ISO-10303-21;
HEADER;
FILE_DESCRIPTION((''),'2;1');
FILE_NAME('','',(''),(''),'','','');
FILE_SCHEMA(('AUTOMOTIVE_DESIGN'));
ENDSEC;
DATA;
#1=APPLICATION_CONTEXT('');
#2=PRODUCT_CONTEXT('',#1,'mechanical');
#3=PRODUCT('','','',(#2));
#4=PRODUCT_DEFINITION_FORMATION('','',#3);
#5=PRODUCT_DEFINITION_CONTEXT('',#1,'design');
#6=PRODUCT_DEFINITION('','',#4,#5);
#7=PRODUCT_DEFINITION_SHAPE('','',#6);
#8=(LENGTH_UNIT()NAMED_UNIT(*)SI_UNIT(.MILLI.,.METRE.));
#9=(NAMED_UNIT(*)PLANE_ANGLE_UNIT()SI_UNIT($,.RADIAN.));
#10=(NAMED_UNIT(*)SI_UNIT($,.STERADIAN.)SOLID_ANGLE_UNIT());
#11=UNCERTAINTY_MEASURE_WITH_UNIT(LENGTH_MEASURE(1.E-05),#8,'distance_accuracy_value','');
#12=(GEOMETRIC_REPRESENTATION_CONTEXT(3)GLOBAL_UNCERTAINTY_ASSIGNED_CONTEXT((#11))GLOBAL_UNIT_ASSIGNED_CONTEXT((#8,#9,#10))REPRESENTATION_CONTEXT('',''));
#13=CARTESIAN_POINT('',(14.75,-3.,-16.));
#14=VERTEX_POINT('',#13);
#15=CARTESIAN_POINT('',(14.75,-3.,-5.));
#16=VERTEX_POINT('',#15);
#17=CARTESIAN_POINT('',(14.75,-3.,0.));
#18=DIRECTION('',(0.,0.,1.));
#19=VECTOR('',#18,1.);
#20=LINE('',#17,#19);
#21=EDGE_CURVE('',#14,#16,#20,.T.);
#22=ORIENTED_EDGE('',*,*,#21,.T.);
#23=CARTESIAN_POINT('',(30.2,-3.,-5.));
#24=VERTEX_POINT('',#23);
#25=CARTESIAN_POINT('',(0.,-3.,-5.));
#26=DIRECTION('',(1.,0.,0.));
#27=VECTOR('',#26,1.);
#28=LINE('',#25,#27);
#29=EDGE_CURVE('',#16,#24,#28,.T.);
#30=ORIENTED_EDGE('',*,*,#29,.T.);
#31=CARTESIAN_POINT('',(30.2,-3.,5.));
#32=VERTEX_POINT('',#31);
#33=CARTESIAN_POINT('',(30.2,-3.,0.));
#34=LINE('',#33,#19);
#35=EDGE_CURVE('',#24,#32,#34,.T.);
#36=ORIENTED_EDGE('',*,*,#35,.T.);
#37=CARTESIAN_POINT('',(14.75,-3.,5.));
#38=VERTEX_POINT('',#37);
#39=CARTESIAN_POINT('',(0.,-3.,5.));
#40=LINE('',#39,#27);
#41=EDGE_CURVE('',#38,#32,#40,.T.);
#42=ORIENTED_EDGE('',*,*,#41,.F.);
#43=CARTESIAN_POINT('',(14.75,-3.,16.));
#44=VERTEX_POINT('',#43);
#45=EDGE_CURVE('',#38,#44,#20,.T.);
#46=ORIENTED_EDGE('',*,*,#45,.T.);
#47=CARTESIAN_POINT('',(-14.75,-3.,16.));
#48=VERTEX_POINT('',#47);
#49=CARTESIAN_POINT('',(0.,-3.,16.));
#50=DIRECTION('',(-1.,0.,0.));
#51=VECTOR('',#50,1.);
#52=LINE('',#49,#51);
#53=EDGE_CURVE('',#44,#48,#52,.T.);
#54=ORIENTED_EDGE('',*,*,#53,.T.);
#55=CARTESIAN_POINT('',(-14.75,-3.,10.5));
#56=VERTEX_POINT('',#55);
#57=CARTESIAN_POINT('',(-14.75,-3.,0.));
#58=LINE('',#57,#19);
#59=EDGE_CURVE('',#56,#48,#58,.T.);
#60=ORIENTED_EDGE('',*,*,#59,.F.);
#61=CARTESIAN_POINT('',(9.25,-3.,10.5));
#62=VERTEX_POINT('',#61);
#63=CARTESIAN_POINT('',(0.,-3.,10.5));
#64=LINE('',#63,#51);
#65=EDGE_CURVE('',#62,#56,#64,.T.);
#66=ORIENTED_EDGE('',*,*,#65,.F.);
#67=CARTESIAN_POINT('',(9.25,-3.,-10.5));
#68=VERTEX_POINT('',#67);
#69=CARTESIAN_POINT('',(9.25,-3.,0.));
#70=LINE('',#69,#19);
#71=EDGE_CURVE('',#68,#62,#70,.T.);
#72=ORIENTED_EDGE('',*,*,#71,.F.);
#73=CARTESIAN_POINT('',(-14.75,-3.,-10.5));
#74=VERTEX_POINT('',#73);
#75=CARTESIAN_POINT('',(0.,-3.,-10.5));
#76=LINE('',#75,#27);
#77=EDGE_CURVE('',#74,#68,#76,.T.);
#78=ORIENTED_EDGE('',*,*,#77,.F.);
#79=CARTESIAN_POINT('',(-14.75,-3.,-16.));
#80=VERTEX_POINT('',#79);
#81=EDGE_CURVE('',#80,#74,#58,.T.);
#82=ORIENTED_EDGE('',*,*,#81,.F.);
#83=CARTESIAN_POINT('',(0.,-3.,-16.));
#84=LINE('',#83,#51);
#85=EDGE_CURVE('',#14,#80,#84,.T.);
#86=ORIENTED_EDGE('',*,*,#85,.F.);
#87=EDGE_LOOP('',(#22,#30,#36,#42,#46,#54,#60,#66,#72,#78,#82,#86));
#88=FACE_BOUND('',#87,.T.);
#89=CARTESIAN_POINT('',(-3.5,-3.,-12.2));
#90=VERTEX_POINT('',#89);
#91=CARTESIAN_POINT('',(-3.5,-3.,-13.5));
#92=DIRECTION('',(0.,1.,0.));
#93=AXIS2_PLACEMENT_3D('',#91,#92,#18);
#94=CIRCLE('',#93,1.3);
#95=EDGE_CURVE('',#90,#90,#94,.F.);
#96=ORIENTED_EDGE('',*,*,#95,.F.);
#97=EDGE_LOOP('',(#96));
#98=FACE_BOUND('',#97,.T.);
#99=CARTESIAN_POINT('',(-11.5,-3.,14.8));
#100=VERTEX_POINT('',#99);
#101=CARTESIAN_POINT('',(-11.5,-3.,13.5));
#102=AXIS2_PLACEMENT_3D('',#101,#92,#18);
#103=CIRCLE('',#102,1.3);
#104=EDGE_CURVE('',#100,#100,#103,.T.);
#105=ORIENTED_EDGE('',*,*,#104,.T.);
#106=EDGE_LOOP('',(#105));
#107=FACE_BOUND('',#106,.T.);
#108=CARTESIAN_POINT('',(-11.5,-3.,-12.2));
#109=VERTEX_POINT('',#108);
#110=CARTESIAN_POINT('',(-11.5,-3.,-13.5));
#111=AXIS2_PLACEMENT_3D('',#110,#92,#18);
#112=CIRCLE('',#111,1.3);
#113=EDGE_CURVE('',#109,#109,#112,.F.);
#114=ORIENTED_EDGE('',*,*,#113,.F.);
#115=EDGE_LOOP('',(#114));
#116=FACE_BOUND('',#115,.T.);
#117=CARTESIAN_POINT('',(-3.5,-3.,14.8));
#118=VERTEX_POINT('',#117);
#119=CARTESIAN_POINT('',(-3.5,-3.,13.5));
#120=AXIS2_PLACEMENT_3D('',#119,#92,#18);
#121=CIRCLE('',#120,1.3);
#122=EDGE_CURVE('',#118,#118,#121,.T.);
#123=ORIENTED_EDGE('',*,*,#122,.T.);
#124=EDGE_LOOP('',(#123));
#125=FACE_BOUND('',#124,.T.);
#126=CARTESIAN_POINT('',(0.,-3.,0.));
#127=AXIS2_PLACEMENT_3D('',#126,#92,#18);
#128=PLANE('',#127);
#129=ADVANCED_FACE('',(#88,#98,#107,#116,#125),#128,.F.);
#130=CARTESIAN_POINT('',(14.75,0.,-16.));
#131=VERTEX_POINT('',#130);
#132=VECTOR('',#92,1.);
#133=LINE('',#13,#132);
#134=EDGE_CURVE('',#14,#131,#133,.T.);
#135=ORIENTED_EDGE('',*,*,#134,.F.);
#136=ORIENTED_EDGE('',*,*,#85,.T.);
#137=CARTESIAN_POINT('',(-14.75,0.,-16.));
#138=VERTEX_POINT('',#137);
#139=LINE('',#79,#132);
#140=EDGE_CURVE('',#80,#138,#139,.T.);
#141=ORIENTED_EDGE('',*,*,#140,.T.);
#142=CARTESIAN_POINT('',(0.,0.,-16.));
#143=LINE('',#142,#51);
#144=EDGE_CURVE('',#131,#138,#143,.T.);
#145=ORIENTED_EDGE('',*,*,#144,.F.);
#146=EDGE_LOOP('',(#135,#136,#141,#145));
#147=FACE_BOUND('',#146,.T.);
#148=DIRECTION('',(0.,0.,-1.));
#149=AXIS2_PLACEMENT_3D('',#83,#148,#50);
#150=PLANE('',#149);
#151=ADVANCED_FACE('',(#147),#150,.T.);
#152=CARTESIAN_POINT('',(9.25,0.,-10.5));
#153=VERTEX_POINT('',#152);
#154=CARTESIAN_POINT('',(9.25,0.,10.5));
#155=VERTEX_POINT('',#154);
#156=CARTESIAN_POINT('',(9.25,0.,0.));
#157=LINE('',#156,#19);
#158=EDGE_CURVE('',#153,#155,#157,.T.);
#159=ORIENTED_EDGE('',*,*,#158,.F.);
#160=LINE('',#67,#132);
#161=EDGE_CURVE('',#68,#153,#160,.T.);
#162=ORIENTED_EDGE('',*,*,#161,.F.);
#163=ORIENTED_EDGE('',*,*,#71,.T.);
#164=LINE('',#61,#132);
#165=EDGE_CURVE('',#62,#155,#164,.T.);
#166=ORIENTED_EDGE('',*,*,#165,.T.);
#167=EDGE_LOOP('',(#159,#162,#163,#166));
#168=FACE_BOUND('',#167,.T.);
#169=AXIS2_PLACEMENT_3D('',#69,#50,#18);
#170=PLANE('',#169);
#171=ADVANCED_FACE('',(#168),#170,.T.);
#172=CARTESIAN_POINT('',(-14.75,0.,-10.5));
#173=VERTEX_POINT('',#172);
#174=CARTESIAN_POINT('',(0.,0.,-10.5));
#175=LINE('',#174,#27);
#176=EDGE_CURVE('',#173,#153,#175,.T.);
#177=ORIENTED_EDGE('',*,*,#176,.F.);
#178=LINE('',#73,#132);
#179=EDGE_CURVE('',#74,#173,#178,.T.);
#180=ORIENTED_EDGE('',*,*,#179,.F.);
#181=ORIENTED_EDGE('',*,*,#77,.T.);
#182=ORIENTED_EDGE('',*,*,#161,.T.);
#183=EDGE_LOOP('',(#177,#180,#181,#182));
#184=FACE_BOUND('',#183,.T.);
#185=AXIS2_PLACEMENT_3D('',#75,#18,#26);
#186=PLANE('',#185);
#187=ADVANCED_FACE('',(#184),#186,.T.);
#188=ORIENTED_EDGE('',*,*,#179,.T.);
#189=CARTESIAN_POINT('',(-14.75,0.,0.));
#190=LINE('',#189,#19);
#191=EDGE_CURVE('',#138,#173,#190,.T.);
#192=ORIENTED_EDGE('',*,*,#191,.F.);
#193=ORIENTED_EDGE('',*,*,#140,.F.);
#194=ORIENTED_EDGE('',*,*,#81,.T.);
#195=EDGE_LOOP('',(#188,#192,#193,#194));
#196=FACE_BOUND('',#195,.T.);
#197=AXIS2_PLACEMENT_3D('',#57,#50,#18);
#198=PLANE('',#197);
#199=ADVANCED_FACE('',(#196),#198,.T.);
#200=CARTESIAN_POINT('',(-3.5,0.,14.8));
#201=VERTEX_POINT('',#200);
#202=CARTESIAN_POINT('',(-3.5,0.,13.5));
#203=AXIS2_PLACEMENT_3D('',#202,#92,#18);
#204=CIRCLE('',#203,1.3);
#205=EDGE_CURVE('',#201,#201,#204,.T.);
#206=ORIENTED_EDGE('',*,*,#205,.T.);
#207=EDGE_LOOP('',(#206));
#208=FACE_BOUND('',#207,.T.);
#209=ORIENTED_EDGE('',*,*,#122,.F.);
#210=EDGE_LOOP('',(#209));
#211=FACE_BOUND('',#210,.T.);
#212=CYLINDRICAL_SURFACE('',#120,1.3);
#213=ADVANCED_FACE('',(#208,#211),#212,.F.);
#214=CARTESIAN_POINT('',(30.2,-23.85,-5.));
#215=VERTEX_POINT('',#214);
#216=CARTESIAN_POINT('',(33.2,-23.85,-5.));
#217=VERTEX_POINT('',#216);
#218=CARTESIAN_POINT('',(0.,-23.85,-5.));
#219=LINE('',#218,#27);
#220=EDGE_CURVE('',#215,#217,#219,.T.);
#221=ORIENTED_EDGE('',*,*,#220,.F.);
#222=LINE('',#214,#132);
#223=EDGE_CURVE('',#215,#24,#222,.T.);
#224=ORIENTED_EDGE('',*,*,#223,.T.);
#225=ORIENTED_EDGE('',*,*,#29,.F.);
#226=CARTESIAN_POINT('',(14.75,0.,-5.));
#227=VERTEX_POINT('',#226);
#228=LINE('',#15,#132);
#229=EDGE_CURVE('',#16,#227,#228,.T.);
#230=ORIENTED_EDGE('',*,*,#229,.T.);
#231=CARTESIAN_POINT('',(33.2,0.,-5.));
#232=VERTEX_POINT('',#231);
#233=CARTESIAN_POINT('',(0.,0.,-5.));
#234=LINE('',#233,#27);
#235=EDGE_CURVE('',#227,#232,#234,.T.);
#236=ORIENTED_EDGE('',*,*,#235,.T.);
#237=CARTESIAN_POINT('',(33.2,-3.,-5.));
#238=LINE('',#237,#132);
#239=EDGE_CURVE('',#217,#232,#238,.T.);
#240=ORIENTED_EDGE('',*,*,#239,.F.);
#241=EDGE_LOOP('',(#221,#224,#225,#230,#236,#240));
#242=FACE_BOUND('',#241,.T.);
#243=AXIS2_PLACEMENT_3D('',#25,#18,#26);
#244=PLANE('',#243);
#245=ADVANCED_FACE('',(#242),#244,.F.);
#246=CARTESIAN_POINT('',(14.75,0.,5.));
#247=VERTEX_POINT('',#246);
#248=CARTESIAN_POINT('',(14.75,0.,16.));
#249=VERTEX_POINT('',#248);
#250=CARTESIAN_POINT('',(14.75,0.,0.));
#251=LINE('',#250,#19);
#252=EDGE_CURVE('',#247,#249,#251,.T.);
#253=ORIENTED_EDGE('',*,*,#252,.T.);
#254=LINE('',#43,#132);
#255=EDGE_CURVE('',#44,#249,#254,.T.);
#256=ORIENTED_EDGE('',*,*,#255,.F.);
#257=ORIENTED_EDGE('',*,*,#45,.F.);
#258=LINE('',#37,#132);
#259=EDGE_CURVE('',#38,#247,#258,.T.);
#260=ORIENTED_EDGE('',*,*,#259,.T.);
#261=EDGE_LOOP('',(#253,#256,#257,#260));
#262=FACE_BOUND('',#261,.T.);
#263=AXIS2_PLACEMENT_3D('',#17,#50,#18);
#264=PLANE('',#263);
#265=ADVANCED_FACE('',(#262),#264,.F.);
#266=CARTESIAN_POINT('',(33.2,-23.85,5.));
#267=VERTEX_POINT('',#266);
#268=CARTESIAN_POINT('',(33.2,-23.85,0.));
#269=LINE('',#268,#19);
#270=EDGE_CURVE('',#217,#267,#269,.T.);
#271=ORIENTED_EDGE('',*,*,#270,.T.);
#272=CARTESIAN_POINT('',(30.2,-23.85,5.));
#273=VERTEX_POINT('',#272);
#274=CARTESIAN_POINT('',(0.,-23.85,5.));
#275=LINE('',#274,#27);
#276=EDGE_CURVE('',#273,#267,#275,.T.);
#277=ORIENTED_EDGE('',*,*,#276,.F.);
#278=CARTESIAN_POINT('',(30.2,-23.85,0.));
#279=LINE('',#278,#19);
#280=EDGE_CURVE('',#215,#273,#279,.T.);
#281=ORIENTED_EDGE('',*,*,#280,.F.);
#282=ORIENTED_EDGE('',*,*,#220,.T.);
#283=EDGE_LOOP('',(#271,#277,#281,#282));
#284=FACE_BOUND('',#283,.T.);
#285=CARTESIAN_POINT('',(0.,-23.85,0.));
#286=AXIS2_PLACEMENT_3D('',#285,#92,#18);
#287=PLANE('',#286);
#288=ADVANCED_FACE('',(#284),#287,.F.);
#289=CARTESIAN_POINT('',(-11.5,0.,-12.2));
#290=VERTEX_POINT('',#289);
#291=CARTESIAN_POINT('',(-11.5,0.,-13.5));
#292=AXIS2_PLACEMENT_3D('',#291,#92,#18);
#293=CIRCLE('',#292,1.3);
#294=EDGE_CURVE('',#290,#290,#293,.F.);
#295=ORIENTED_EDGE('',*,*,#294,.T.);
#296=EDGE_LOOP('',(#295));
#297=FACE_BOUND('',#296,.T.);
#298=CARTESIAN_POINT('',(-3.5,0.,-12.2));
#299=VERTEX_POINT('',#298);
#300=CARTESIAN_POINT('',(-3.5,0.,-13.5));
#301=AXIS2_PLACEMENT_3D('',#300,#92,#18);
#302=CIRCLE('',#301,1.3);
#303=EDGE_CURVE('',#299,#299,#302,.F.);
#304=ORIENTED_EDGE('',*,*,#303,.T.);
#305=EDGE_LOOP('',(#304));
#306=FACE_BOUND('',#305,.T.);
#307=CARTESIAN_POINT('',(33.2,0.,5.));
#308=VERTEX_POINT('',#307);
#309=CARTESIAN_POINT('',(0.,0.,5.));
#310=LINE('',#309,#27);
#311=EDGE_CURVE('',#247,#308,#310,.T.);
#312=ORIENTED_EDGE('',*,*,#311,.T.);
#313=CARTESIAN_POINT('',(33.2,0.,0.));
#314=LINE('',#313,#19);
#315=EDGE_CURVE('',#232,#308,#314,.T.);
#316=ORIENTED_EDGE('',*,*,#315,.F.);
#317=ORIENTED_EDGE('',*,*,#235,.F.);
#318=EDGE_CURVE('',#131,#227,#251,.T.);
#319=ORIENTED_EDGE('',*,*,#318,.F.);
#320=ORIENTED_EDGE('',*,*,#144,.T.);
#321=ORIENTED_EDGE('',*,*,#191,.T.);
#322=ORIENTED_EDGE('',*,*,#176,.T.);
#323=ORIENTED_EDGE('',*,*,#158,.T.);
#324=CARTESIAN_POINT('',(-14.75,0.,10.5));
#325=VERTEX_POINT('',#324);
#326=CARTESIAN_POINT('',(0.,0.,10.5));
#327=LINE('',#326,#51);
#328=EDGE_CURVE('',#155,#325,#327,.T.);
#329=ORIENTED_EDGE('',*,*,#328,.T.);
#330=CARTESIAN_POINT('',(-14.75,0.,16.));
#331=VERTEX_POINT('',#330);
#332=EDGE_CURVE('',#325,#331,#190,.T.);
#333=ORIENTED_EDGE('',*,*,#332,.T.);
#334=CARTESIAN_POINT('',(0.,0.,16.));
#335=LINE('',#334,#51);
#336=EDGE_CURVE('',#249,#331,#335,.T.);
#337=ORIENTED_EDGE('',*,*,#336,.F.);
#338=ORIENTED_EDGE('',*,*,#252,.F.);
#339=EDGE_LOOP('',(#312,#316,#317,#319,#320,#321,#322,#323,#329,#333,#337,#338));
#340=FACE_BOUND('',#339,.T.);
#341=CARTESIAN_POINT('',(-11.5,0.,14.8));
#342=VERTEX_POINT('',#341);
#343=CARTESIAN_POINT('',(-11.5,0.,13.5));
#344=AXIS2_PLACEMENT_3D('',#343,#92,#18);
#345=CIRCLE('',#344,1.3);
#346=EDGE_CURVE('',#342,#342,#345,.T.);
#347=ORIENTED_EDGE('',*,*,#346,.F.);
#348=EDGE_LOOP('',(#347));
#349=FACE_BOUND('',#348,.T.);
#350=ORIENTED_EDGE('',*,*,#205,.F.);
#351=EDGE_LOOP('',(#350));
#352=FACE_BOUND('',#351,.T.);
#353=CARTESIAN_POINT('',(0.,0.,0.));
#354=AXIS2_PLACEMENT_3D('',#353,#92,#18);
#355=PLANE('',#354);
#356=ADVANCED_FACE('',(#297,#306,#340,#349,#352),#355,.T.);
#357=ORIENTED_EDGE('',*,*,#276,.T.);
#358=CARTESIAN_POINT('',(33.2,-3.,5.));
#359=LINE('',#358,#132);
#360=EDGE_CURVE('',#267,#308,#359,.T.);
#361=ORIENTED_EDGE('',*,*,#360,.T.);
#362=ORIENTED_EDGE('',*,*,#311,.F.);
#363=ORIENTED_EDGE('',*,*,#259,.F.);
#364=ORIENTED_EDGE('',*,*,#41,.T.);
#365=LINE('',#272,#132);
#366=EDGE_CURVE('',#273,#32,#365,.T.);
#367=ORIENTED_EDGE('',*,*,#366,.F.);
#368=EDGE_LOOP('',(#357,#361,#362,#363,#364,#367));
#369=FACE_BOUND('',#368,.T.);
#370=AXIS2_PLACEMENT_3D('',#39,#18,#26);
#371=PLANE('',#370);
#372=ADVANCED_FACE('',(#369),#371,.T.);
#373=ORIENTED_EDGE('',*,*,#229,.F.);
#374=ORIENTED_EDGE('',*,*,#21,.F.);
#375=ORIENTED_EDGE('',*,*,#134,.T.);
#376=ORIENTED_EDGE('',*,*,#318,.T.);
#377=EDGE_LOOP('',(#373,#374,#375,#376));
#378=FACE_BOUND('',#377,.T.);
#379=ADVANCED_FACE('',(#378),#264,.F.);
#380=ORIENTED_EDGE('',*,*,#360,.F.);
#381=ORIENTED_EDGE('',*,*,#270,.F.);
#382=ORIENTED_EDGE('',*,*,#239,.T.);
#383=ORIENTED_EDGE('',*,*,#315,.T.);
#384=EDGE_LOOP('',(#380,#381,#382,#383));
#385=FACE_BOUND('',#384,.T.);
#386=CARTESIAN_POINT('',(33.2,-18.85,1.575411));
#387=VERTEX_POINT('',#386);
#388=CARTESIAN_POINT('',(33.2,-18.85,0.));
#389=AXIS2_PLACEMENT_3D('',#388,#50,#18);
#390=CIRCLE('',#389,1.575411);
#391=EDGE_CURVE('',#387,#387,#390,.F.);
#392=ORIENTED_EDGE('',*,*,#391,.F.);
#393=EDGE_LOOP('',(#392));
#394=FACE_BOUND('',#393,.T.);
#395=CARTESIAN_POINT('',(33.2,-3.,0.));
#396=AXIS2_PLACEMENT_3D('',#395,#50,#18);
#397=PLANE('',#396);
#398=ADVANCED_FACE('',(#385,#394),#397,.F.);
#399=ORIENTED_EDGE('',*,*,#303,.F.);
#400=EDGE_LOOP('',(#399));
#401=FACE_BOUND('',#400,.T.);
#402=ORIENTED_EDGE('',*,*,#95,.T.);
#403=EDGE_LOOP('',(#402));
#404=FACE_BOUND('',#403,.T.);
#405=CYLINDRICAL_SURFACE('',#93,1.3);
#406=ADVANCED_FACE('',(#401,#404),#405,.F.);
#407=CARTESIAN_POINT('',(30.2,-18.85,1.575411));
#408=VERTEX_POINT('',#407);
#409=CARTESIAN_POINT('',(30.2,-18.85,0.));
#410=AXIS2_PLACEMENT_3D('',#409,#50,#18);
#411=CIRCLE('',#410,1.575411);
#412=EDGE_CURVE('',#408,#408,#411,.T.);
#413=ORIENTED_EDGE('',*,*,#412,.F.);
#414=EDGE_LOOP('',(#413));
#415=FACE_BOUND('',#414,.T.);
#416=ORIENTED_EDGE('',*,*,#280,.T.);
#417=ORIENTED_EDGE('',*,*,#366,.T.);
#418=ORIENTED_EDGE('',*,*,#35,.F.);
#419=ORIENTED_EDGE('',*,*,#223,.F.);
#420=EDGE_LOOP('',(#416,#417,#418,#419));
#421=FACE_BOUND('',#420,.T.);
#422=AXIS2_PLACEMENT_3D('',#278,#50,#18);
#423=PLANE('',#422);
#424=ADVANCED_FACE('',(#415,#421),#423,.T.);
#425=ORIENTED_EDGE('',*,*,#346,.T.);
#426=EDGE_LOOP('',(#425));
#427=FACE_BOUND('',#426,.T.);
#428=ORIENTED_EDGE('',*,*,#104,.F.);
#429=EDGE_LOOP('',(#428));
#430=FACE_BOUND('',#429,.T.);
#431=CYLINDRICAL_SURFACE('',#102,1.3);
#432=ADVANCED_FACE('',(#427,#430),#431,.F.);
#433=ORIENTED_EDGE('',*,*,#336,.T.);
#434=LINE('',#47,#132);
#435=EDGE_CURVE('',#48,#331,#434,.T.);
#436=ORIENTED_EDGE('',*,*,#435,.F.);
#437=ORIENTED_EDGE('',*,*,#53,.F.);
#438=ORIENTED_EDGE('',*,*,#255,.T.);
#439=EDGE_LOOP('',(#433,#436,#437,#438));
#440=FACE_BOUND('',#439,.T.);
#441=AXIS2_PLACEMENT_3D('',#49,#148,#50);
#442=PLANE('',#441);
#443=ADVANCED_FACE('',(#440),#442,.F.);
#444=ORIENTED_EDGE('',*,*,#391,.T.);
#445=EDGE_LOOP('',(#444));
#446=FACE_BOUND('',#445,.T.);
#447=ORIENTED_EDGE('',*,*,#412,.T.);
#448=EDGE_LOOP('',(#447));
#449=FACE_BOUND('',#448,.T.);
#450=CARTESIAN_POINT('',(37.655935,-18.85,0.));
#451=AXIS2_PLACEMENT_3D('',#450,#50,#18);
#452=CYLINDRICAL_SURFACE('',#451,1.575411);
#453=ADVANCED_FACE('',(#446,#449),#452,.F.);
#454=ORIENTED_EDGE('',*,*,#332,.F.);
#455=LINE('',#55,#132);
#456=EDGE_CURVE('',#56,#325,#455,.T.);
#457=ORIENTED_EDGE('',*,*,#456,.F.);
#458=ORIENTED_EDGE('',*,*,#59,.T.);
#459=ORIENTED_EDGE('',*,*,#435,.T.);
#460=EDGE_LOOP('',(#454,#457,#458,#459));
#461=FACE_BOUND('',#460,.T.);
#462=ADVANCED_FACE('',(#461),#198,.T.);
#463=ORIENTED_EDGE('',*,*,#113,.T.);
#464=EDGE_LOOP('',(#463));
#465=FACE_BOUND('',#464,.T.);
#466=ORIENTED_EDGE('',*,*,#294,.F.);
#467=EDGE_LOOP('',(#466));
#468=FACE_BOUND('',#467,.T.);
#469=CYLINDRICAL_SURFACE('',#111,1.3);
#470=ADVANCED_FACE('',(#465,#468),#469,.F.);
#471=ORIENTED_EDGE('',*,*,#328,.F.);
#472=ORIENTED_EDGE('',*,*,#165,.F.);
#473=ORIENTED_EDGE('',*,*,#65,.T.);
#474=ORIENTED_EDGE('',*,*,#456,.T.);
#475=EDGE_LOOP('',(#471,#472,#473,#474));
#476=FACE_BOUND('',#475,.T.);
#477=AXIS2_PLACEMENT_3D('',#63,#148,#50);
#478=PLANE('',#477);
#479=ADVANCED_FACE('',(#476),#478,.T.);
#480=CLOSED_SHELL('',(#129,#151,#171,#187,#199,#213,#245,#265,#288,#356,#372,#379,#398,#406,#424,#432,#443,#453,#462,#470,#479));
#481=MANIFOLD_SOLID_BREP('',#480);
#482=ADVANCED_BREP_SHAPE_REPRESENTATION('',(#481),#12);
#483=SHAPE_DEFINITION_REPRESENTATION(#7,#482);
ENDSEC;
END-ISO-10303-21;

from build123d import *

# Parameters (mm, degrees)
SKETCH1_R           = 1.3
SKETCH1_W           = 3
SKETCH1_H           = 10
BOSS_EXTRUDE2_DEPTH = 3
SKETCH1_5_W         = 3
SKETCH1_5_H         = 10
BOSS_EXTRUDE3_DEPTH = 23.85
SKETCH4_R           = 1.575411087
CUT_EXTRUDE1_DEPTH  = 3


with BuildPart() as part:
    # Sketch1 → Boss-Extrude2 (new body)
    # profile 1 of 2: a face of its own
    with BuildSketch(Plane(origin=(0, 0, 0), x_dir=(1, 0, 0), z_dir=(0, 1, 0))):
        Polygon((-14.75, 16), (-14.75, 10.5), (9.25, 10.5), (9.25, -10.5), (-14.75, -10.5), (-14.75, -16), (14.75, -16), (14.75, -5), (30.2, -5), (30.2, 5), (14.75, 5), (14.75, 16), align=None)
        with Locations(Location((-11.5, -13.5, 0), (0, 0, 270))):
            Circle(SKETCH1_R, mode=Mode.SUBTRACT)
        with Locations(Location((-3.5, -13.5, 0), (0, 0, 270))):
            Circle(SKETCH1_R, mode=Mode.SUBTRACT)
        with Locations(Location((-11.5, 13.5, 0), (0, 0, 270))):
            Circle(SKETCH1_R, mode=Mode.SUBTRACT)
        with Locations(Location((-3.5, 13.5, 0), (0, 0, 270))):
            Circle(SKETCH1_R, mode=Mode.SUBTRACT)
    # profile 2 of 2: a face of its own
    with BuildSketch(Plane(origin=(0, 0, 0), x_dir=(1, 0, 0), z_dir=(0, 1, 0))):
        with Locations((31.7, 0)):
            Rectangle(SKETCH1_W, SKETCH1_H)
    extrude(amount=-BOSS_EXTRUDE2_DEPTH)

    # Sketch1<5> → Boss-Extrude3 (add)
    with BuildSketch(Plane(origin=(0, 0, 0), x_dir=(1, 0, 0), z_dir=(0, 1, 0))):
        with Locations((31.7, 0)):
            Rectangle(SKETCH1_5_W, SKETCH1_5_H)
    extrude(amount=-BOSS_EXTRUDE3_DEPTH)

    # Sketch4 → Cut-Extrude1 (cut)
    with BuildSketch(Plane.ZY.offset(-30.2)):
        with Locations((0, -18.85)):
            Circle(SKETCH4_R)
    extrude(amount=-CUT_EXTRUDE1_DEPTH, mode=Mode.SUBTRACT)


solid = part.part
